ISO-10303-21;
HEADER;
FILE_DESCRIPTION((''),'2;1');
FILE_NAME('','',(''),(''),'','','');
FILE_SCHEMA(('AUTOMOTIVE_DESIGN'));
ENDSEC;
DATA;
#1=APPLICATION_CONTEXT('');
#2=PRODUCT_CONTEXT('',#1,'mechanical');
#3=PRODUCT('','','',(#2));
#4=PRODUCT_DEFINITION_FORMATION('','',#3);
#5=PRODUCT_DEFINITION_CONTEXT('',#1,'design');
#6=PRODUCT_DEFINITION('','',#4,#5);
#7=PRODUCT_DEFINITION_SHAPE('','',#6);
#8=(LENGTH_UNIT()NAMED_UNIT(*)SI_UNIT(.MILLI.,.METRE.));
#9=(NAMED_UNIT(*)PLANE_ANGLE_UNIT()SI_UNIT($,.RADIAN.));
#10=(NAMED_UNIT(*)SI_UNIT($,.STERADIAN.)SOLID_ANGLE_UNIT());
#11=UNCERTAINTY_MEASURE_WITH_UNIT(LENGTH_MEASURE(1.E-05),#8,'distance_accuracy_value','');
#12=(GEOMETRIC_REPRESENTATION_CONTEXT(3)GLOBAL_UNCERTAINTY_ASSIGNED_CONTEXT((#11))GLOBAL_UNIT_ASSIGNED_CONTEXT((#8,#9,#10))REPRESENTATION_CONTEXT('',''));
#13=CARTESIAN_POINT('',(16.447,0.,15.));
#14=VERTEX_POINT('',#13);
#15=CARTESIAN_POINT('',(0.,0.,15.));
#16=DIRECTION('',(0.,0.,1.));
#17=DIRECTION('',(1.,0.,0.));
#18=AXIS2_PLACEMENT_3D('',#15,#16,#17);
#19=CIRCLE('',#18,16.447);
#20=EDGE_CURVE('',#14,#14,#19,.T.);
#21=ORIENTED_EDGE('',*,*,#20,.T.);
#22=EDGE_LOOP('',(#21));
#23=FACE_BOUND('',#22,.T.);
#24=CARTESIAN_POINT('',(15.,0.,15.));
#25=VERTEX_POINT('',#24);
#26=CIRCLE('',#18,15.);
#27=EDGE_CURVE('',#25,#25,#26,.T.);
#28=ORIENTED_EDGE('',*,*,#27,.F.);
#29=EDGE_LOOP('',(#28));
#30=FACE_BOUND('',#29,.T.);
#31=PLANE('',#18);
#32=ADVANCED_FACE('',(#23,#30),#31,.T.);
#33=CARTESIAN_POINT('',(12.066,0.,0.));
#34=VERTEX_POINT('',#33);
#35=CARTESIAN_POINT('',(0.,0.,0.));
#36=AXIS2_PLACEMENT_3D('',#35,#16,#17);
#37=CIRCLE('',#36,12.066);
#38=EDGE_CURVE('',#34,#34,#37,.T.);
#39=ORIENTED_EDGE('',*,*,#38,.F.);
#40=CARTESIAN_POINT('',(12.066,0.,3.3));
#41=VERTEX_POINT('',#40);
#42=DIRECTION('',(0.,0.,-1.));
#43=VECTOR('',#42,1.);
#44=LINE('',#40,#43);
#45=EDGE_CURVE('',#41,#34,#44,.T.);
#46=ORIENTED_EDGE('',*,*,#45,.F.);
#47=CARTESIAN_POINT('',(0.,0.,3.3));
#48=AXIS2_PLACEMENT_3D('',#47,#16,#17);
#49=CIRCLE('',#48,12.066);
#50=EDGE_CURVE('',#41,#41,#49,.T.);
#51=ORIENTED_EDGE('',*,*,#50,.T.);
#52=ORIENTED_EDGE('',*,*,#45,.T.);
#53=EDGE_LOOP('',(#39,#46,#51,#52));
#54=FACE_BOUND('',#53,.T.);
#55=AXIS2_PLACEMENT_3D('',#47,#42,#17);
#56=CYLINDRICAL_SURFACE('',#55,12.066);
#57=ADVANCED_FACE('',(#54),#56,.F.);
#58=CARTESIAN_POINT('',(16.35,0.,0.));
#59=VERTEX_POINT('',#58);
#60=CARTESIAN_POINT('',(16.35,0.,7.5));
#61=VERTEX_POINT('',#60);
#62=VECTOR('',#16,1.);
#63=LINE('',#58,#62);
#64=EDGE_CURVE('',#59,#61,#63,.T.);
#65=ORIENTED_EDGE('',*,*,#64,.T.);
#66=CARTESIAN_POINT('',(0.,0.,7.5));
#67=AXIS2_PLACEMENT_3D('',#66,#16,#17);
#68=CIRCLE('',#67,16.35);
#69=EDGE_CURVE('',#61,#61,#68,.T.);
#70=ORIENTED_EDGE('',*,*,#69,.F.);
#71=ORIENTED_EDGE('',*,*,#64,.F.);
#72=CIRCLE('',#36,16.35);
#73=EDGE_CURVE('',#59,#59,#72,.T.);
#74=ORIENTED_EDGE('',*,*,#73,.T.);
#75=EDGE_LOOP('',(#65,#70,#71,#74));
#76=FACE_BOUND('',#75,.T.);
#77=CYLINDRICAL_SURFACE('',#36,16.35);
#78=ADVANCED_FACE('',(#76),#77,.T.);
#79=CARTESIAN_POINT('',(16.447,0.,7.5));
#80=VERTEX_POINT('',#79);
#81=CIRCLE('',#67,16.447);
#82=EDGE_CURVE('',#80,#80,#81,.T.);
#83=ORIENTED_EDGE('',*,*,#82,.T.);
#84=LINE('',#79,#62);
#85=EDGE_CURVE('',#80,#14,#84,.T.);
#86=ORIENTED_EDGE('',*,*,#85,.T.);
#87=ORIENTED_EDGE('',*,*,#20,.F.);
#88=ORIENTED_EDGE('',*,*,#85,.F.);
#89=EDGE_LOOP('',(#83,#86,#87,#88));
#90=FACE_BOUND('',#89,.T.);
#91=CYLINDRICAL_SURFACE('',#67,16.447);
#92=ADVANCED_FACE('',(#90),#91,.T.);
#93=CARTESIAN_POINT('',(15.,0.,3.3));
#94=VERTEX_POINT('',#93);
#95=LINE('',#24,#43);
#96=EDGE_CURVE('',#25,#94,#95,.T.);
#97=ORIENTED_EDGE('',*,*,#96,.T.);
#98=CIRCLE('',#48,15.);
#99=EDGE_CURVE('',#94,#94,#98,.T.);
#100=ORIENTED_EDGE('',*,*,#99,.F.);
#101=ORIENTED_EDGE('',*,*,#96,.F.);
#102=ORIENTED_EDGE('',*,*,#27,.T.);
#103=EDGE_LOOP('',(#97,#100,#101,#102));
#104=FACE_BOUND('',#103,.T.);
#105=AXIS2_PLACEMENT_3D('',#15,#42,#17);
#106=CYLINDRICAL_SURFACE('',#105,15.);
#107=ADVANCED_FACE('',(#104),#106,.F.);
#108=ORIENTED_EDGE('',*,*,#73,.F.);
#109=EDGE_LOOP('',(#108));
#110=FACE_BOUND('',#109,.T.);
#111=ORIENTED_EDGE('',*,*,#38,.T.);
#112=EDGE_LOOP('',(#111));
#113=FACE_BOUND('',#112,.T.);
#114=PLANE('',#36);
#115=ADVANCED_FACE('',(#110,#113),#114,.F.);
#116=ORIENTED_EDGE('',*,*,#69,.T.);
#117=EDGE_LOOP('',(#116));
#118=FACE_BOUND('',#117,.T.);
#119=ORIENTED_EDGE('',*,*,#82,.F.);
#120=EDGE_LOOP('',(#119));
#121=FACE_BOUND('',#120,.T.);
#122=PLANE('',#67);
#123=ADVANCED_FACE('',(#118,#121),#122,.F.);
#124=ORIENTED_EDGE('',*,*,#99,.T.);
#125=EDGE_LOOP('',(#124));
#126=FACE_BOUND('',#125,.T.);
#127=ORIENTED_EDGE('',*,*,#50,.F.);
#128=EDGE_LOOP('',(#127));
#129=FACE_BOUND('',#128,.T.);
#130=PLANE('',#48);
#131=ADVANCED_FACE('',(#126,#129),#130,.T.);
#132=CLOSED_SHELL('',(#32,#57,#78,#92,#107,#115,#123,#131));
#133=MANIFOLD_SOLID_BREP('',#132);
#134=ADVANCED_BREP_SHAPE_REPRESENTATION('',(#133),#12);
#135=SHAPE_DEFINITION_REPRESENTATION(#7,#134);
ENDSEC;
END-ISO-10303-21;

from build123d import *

# Parameters (mm, degrees)
F2_SCALE = 3


with BuildPart() as f1:
    # F0 (on Front) → F1 (revolve)
    with BuildSketch(Plane.XZ):
        Polygon((4.022, 1.1), (4.022, 0), (5.45, 0), (5.45, 2.5), (5.4823333333, 2.5), (5.4823333333, 5), (5, 5), (5, 1.1), align=None)
    revolve(axis=Axis((0, 0, 2.5), (0, 0, 1)))


with BuildPart() as f1_1:
    # F2: moved
    add(f1.part.scale(F2_SCALE))


solid = f1_1.part
